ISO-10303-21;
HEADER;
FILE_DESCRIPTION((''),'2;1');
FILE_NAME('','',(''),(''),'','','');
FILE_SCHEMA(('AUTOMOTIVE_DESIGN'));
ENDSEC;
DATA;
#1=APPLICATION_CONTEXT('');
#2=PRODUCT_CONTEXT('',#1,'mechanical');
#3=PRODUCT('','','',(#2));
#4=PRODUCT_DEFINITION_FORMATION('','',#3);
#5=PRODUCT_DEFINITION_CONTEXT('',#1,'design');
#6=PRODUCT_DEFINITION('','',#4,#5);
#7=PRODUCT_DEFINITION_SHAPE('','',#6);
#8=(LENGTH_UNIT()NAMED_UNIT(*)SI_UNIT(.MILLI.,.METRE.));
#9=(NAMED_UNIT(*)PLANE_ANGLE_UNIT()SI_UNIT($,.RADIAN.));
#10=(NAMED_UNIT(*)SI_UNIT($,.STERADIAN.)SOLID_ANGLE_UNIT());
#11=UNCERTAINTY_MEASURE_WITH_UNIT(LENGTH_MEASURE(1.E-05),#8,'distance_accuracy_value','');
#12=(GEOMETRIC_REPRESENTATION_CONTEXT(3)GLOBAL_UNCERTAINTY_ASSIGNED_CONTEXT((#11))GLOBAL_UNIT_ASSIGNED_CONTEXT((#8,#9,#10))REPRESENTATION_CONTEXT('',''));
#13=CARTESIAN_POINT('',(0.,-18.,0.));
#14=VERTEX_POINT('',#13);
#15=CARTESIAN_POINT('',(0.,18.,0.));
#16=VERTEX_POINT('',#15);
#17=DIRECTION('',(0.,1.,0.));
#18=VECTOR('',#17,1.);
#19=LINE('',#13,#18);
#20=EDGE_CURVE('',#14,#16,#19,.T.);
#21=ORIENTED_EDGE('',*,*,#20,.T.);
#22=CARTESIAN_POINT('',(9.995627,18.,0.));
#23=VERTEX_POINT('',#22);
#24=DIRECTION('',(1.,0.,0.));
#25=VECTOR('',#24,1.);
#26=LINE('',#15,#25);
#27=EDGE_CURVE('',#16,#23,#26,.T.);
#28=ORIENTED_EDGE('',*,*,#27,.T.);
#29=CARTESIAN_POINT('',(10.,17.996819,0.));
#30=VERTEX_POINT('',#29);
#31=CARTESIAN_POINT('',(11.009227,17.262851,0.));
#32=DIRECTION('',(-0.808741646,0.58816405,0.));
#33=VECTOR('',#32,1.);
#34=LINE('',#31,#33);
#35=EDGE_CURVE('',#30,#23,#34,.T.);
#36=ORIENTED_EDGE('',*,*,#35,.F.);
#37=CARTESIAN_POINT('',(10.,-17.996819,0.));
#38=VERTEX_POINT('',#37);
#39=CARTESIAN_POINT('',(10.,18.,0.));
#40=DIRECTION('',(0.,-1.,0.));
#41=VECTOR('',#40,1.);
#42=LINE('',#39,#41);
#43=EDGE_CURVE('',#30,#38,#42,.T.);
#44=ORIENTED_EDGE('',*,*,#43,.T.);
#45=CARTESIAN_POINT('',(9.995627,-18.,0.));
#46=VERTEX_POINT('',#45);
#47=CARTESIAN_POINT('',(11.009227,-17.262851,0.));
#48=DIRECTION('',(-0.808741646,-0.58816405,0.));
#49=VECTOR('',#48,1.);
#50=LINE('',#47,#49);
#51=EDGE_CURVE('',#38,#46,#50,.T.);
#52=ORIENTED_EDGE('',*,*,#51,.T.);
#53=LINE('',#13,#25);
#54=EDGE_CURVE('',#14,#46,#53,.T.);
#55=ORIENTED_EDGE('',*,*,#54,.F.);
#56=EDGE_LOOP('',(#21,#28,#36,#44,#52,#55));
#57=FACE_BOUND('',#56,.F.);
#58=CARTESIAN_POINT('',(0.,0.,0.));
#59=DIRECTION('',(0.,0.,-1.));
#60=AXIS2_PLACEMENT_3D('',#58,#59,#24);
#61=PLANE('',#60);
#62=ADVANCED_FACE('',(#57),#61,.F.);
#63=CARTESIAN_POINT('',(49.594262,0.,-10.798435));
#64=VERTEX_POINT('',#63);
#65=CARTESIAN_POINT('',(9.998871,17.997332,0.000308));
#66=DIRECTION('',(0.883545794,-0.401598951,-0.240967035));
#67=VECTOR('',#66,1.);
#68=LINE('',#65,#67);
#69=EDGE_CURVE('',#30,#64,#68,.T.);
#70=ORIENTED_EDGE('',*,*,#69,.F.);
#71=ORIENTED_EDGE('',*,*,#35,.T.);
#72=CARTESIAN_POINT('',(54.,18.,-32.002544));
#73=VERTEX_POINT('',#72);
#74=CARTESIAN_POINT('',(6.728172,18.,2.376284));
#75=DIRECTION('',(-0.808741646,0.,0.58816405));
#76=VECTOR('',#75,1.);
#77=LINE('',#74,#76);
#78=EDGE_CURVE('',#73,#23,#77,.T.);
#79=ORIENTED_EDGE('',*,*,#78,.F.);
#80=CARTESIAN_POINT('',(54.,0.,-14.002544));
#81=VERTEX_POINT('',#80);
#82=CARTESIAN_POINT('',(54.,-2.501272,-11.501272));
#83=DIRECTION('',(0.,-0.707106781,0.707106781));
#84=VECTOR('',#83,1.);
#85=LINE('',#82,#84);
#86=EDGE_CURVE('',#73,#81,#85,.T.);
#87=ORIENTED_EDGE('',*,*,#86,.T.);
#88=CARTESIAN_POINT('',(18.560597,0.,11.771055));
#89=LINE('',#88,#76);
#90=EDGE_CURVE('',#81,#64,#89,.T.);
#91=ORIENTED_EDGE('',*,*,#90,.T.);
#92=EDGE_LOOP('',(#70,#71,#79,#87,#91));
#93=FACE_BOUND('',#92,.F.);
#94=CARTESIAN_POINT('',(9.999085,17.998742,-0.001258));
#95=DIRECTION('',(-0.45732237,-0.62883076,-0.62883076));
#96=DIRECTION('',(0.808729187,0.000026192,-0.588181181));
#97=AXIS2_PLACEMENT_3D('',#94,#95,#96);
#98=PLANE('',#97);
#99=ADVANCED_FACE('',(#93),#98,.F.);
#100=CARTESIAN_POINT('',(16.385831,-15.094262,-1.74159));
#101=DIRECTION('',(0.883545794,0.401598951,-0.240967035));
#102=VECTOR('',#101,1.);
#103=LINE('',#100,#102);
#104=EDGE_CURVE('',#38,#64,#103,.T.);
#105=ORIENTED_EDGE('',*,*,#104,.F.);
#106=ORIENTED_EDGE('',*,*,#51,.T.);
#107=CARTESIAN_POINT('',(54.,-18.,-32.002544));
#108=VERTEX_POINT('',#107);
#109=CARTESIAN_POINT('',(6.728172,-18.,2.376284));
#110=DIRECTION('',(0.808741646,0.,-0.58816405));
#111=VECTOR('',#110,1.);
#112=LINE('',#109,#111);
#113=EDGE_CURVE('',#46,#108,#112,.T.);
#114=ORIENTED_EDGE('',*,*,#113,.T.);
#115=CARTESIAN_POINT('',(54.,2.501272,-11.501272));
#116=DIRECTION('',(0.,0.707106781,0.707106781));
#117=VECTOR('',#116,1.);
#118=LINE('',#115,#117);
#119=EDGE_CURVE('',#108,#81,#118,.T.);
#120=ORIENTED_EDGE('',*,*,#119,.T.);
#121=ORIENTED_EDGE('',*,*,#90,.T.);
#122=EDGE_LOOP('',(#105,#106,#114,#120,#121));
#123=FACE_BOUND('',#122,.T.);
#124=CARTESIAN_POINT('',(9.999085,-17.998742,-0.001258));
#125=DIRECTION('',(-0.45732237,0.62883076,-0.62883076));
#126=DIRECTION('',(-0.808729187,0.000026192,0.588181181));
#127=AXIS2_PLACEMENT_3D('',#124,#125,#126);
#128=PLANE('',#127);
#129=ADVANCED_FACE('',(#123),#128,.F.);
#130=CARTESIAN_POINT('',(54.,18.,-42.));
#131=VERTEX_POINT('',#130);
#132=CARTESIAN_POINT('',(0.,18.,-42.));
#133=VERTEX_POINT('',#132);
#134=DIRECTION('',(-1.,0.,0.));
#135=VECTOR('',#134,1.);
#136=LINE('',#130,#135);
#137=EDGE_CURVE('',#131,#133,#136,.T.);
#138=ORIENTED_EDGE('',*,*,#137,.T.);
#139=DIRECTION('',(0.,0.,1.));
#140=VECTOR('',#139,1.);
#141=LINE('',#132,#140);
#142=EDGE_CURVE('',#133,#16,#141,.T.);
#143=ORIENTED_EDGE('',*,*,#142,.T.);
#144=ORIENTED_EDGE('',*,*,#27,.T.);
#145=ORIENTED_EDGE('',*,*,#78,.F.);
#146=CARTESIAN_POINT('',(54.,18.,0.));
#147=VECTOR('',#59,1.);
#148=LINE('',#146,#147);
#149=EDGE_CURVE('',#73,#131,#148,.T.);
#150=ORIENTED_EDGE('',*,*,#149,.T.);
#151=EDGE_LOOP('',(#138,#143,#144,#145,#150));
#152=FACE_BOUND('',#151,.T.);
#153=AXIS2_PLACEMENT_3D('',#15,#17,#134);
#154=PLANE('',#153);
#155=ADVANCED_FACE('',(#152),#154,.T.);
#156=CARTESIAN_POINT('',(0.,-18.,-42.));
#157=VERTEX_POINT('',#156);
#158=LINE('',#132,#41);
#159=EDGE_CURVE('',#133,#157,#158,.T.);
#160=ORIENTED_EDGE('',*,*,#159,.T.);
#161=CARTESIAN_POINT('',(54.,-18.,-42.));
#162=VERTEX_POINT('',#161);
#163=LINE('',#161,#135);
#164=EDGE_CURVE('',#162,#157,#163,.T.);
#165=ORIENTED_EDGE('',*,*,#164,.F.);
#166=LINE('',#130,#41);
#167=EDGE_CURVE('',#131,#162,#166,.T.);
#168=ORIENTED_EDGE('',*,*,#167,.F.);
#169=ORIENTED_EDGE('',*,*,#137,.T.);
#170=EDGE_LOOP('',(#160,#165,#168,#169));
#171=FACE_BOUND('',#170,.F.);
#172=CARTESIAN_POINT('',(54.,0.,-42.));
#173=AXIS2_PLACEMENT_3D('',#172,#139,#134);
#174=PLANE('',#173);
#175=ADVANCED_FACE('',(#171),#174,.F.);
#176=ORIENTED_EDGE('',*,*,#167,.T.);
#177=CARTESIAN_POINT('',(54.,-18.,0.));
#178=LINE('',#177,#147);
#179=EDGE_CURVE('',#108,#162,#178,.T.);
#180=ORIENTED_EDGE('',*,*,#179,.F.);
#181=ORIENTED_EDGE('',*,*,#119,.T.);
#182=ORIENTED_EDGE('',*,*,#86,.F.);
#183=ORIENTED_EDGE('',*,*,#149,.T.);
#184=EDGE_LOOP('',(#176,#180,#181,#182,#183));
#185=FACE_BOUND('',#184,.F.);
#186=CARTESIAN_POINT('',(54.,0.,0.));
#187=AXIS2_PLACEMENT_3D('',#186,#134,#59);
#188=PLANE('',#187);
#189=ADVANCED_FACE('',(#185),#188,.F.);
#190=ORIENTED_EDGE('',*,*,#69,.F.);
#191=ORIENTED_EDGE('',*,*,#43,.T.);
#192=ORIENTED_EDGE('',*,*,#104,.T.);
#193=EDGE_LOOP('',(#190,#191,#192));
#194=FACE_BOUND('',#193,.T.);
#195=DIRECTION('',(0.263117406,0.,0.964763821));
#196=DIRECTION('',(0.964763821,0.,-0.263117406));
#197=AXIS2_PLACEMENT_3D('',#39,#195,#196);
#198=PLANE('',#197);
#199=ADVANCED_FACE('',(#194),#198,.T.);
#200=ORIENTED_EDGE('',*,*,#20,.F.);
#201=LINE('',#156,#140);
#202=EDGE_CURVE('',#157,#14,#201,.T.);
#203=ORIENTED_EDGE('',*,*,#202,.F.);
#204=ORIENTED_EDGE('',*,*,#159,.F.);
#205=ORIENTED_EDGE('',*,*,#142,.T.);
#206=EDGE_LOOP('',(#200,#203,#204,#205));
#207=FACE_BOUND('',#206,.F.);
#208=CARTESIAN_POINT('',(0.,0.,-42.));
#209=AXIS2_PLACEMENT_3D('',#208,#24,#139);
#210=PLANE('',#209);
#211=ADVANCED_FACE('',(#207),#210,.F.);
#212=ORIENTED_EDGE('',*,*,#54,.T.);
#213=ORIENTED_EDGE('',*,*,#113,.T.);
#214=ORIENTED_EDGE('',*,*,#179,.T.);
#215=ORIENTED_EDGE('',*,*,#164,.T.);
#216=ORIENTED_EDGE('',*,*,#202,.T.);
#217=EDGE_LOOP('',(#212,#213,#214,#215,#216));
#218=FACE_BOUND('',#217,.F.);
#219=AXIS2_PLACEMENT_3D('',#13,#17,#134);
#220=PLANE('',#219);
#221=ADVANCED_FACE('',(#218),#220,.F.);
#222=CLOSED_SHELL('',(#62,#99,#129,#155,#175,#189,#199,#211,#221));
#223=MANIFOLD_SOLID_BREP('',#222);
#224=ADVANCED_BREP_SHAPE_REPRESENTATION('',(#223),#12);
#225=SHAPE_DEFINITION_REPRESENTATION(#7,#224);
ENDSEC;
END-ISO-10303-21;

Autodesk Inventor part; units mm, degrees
ref_plane "YZ Plane" through (0, 0, 0) normal (1, 0, 0) x (0, 1, 0)
ref_plane "XZ Plane" through (0, 0, 0) normal (0, 1, 0) x (-1, 0, 0)
sketch "草圖1" plane through (0, 0, 0) normal (0, 1, 0) x (-1, 0, 0)
  line L0 (0, 0) -> (-54, 0)
  line L1 (-54, 0) -> (-54, -42)
  line L2 (-54, -42) -> (0, -42)
  line L3 (0, -42) -> (0, 0)
  dimension "d0" = 54
  dimension "d1" = 42
extrude "擠出1" add sketch "草圖1" along normal mid plane 36
sketch "草圖2" plane through (0, 18, 0) normal (0, 1, 0) x (1, 0, 0)
  line L0 (0, 0) -> (54, 0) projected
  line L1 (10, 0) -> (54, 12)
  line L2 (54, 0) -> (54, 42) projected
  dimension "d4" = 10
  dimension "d5" = 30
extrude "擠出2" cut sketch "草圖2" against normal blind 40
sketch "草圖3" plane through (54, -18, -42) normal (1, 0, 0) x (0, 0, -1)
  line L0 (-30, 16) -> (-10, 36)
  line L1 (0, 36) -> (-42, 36) projected
  line L2 (-30, 36) -> (-30, 0) projected
  point P0 (-42, 18)
  dimension "d8" = 20
  dimension "d9" = 20
ref_plane "工作平面1" through (10, 18, 0) normal (-0.4573, -0.6288, -0.6288) x (0.8087, 0, -0.5882)
sketch "草圖4" plane through (10, 18, 0) normal (-0.4573, -0.6288, -0.6288) x (0.8087, 0, -0.5882)
  line L0 (-15.1543, -12.3218) -> (93.717, -12.3218)
  line L1 (93.717, -12.3218) -> (93.717, 28.8166)
  line L2 (93.717, 28.8166) -> (-15.1543, 28.8166)
  line L3 (-15.1543, 28.8166) -> (-15.1543, -12.3218)
  point P0 (-8.0874, 10.2972)
extrude "擠出3" cut sketch "草圖4" against normal blind 40
mirror "鏡射1" about plane through (0, 0, 0) normal (0, 1, 0) of "擠出3"
properties part number "17"
